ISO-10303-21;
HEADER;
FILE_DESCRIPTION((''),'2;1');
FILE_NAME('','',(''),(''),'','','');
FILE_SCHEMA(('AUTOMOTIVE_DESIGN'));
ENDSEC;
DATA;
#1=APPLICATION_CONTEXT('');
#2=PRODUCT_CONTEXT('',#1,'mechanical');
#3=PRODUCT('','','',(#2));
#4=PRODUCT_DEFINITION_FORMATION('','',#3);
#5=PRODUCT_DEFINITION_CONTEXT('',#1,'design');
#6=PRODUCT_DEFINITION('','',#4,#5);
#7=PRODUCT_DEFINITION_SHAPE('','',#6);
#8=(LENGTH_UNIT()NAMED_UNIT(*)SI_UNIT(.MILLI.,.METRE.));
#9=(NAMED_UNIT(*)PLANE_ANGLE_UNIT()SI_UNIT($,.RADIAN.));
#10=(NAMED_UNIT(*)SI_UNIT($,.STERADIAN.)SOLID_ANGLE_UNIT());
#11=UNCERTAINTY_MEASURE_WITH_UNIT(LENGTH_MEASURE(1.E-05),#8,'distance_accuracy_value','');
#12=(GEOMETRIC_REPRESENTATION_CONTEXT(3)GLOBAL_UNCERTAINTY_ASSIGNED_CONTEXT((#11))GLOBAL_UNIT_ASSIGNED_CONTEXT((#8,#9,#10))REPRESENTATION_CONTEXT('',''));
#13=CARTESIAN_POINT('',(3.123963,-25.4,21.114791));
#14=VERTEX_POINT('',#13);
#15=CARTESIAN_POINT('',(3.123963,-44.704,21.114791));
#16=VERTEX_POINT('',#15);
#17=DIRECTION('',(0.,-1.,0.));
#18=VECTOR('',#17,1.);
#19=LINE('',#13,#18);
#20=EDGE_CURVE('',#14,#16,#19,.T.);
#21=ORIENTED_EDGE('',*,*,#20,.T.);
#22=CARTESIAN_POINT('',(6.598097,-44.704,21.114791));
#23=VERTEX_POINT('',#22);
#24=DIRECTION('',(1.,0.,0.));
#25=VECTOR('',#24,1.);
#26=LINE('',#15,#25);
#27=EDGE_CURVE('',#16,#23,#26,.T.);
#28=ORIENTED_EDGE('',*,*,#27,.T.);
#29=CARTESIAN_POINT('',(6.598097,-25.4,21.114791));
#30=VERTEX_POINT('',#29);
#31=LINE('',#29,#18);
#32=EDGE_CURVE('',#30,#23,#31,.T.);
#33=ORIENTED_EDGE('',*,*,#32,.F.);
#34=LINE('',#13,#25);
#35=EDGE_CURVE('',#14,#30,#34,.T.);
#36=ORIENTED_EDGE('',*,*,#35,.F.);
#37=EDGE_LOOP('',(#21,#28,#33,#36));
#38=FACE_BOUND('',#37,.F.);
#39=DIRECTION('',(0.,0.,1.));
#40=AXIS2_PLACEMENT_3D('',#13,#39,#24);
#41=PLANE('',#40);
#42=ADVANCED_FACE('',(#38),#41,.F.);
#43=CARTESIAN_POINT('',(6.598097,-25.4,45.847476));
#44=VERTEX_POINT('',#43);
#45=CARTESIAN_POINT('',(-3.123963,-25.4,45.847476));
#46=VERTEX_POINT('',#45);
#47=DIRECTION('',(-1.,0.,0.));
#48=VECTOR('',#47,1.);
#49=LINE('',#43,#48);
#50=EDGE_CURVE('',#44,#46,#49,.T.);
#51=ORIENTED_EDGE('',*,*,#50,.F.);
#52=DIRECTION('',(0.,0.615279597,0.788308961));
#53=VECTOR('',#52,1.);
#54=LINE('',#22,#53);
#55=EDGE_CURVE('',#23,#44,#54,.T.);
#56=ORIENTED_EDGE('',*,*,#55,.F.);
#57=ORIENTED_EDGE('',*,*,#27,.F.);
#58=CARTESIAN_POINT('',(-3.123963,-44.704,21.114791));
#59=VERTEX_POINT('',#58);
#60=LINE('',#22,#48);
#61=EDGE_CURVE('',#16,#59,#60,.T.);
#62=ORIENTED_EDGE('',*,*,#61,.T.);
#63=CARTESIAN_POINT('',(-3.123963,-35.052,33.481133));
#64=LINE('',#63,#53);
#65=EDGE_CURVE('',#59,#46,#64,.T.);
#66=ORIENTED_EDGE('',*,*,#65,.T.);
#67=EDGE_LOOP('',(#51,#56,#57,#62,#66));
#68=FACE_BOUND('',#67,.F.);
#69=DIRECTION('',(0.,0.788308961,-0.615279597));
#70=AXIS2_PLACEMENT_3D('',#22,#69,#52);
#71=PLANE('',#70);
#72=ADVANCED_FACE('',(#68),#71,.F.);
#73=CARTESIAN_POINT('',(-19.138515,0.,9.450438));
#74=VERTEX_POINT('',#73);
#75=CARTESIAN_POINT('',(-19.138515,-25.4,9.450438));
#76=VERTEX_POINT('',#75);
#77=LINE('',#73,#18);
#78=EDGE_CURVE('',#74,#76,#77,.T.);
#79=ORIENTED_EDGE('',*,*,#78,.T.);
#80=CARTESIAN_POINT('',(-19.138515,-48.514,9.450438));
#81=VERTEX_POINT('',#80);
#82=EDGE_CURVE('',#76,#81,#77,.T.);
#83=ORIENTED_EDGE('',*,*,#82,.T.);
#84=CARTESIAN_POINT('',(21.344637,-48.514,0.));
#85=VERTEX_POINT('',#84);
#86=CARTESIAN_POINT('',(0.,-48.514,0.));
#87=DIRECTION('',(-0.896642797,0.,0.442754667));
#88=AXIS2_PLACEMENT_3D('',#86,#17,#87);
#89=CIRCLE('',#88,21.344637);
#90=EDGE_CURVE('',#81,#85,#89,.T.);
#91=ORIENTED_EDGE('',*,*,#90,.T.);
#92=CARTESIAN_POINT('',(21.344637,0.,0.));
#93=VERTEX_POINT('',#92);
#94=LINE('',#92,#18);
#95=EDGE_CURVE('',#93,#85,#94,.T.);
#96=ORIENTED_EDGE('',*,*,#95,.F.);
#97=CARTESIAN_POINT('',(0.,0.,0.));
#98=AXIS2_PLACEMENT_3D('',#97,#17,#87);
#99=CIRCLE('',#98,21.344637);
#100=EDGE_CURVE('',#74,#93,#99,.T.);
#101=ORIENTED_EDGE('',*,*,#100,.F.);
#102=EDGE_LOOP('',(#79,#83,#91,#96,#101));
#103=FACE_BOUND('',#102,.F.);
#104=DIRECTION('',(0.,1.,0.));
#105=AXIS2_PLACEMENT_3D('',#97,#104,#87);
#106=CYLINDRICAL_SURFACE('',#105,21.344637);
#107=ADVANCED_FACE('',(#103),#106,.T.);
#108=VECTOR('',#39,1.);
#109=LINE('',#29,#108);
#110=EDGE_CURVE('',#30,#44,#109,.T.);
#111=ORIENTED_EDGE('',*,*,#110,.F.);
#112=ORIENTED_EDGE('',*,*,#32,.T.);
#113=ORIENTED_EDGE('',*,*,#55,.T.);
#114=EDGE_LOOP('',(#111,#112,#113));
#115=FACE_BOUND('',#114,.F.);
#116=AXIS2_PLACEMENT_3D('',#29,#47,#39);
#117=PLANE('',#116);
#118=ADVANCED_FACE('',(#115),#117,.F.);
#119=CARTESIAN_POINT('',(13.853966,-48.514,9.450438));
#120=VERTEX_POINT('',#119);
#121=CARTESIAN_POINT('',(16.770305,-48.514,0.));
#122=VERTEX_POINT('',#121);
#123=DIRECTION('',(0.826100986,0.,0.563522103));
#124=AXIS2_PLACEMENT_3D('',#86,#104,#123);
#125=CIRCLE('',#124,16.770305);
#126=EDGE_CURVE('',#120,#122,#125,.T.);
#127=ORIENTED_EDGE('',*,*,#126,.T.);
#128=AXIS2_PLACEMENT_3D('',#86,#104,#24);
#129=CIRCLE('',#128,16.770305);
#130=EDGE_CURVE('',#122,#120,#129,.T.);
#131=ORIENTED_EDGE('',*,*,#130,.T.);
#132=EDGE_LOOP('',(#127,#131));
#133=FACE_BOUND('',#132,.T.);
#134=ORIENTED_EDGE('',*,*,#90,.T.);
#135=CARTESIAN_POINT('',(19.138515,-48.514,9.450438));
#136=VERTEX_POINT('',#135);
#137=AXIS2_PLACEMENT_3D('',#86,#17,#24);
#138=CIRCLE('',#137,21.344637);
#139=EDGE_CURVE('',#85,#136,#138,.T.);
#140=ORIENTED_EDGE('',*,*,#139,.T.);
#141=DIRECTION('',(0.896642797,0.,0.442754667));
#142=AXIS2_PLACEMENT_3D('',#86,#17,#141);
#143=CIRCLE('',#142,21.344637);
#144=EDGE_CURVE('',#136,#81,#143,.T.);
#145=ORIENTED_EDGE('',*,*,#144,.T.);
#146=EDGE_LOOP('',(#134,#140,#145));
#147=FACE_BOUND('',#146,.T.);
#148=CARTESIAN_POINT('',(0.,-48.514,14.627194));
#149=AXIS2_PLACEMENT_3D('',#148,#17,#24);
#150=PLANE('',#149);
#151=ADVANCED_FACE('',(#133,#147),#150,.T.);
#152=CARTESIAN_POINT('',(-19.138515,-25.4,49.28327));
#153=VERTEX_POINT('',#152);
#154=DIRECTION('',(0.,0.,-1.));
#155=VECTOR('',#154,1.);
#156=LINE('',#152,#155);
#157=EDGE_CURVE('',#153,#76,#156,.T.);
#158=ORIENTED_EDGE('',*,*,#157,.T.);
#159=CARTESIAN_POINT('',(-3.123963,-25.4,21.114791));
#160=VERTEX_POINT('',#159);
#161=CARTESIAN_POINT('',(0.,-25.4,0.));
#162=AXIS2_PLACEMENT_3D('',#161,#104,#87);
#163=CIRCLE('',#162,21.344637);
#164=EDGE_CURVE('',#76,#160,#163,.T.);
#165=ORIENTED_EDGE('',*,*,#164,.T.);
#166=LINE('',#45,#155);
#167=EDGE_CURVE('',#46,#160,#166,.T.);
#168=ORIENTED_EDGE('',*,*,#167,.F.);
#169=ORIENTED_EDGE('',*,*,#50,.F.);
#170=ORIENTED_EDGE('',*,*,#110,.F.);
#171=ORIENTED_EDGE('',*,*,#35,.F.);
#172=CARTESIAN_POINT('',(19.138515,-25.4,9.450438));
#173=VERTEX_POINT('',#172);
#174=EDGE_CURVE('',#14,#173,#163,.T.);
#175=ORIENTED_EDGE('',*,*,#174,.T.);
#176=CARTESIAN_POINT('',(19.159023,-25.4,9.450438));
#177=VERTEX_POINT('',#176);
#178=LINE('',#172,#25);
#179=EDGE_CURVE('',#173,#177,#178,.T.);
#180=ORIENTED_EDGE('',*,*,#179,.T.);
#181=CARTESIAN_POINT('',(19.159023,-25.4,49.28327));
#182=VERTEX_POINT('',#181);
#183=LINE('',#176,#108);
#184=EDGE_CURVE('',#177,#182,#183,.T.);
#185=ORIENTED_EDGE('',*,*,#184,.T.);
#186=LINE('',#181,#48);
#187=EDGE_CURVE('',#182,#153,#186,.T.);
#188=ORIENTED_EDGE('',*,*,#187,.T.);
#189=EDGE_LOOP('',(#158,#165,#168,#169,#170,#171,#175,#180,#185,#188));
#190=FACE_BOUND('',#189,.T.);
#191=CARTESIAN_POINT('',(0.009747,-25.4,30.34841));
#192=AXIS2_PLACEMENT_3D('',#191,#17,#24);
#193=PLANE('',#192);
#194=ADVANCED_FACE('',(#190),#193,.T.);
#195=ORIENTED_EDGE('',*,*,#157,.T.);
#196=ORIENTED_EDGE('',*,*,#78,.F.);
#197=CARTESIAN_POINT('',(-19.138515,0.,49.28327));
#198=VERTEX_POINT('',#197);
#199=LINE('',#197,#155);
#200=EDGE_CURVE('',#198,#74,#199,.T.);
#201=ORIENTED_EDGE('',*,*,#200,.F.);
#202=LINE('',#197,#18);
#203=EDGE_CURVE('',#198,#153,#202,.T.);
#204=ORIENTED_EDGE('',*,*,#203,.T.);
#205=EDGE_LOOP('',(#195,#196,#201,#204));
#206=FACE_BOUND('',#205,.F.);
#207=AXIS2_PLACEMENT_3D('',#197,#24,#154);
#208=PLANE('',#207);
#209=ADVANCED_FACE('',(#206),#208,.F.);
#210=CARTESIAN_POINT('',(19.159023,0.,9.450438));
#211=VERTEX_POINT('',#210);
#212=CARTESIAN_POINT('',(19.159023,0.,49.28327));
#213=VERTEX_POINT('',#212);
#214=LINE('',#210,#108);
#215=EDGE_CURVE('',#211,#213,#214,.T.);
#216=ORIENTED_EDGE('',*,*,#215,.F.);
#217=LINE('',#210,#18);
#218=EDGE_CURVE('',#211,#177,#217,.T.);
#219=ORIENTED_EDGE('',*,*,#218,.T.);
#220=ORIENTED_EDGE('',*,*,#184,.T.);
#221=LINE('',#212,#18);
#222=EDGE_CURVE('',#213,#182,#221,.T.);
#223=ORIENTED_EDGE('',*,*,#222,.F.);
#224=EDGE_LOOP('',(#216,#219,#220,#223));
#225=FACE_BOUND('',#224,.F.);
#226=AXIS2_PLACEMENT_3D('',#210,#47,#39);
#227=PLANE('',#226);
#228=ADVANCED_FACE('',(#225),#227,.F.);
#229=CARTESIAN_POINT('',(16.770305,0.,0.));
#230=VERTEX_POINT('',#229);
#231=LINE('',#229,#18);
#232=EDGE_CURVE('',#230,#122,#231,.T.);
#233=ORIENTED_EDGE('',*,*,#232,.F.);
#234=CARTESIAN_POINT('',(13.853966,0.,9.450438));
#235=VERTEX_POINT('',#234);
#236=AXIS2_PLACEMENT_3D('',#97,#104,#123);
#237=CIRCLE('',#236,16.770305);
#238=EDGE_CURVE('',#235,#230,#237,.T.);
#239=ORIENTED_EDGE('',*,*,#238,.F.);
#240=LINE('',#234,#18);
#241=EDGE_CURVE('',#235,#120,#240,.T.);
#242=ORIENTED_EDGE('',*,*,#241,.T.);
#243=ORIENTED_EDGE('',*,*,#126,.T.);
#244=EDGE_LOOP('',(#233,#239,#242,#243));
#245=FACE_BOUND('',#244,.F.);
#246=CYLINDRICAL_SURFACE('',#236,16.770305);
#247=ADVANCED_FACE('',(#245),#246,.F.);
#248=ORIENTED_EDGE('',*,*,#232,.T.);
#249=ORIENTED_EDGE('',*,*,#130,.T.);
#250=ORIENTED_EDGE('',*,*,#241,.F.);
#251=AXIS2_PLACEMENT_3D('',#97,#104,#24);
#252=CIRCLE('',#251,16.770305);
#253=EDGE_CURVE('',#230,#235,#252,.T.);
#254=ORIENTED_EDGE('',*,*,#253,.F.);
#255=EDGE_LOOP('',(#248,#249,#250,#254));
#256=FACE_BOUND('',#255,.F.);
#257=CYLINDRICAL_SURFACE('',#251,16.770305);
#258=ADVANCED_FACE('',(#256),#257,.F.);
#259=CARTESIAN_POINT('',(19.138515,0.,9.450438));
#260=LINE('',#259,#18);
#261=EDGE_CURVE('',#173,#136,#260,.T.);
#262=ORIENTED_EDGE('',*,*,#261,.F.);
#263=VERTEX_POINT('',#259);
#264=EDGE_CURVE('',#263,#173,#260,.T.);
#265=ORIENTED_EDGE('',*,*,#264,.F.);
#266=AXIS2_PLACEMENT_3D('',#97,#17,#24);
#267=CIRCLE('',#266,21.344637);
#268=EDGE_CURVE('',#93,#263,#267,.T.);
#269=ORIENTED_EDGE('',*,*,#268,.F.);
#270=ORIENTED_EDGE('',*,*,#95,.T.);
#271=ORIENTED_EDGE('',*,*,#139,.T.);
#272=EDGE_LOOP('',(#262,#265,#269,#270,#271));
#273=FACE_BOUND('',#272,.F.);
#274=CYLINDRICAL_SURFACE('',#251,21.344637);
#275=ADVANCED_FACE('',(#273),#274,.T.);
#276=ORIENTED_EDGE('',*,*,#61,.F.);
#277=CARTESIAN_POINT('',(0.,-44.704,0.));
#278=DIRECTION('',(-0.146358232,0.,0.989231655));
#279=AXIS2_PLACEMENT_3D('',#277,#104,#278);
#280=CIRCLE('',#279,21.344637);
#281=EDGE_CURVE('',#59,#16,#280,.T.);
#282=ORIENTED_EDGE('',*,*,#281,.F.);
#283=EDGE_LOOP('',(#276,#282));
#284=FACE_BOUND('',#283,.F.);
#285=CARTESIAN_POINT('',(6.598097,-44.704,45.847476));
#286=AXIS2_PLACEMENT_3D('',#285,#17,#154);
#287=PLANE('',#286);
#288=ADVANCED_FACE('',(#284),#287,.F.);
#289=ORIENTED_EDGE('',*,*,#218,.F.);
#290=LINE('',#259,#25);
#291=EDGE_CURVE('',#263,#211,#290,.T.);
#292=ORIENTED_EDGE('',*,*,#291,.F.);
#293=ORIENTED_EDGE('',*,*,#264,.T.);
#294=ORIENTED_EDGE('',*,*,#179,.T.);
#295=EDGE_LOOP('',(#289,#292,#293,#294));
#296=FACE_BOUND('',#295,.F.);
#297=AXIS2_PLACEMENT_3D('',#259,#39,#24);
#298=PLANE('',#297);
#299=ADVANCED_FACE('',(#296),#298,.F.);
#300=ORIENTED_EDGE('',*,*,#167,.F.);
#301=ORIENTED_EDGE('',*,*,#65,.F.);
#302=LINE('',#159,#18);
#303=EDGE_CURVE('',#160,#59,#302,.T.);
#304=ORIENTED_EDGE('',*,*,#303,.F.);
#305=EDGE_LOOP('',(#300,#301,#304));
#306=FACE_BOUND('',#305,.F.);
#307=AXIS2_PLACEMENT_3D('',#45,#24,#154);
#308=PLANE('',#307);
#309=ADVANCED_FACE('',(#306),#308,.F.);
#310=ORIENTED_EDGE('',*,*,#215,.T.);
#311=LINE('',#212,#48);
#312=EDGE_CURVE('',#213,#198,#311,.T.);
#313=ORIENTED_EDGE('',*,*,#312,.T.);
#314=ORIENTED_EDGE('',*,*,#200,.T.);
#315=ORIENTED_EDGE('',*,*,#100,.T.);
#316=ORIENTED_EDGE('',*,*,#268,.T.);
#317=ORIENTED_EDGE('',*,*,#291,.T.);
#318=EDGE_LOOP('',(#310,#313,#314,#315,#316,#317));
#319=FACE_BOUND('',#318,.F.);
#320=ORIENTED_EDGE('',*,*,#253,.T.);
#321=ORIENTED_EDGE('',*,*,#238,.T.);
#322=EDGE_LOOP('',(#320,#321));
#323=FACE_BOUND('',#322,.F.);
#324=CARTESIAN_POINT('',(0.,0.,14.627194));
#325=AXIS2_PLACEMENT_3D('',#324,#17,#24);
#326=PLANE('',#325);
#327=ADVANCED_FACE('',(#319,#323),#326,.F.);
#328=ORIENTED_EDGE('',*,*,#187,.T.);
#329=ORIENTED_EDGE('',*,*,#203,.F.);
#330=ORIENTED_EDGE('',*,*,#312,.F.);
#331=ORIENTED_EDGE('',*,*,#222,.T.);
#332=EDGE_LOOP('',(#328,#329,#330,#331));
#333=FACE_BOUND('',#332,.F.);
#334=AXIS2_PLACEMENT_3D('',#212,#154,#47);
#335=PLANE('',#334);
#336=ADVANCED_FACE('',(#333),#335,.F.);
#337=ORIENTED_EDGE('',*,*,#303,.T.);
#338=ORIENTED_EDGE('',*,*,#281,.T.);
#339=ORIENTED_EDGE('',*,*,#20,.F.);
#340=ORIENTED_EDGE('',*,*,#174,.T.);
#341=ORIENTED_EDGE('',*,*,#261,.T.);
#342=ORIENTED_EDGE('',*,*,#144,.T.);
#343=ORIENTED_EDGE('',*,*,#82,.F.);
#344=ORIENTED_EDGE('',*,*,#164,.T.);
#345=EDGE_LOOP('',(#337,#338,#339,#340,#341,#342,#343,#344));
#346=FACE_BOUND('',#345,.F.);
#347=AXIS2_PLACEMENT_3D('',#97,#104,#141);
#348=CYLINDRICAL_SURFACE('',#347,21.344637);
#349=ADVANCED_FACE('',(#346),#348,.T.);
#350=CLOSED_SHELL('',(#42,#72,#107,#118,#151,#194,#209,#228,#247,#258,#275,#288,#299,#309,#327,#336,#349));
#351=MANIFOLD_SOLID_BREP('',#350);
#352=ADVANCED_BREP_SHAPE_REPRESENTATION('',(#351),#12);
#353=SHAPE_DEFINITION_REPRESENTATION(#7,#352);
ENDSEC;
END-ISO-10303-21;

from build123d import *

# Parameters (mm, degrees)
F1_DEPTH = 25.4
F2_DEPTH = 48.514
F4_DEPTH = 19.304
F6_DEPTH = 25.4


with BuildPart() as f1:
    # F0 (on Front) → F1 (new body)
    with BuildSketch(Plane.XZ):
        with BuildLine():
            Line((-19.1385153821, 49.2832697928), (-19.1385153821, 9.4504378209))
            ThreePointArc((-19.1385153821, 9.4504378209), (0, 21.3446374071), (19.1385153821, 9.4504378209))
            Line((19.1385153821, 9.4504378209), (19.1590227187, 9.4504378209))
            Line((19.1590227187, 9.4504378209), (19.1590227187, 49.2832697928))
            Line((19.1590227187, 49.2832697928), (-19.1385153821, 49.2832697928))
        make_face()
    extrude(amount=F1_DEPTH)

    # F0 (on Front) → F2 (join)
    with BuildSketch(Plane.XZ):
        with BuildLine():
            ThreePointArc((19.1385153821, 9.4504378209), (0, 21.3446374071), (-19.1385153821, 9.4504378209))
            Line((-19.1385153821, 9.4504378209), (-13.8539659138, 9.4504378209))
            ThreePointArc((-13.8539659138, 9.4504378209), (0, 16.7703054995), (13.8539659138, 9.4504378209))
            Line((13.8539659138, 9.4504378209), (19.1385153821, 9.4504378209))
        make_face()
        with BuildLine():
            Line((-13.8539659138, 9.4504378209), (-19.1385153821, 9.4504378209))
            ThreePointArc((-19.1385153821, 9.4504378209), (-4.8522610553, -20.7857910287), (21.3446374071, 0))
            ThreePointArc((21.3446374071, 0), (20.7857910287, 4.8522610553), (19.1385153821, 9.4504378209))
            Line((19.1385153821, 9.4504378209), (13.8539659138, 9.4504378209))
            ThreePointArc((13.8539659138, 9.4504378209), (16.0246433237, 4.9450938208), (16.7703054995, 0))
            ThreePointArc((16.7703054995, 0), (-4.9450938208, -16.0246433237), (-13.8539659138, 9.4504378209))
        make_face()
    extrude(amount=F2_DEPTH)

    # F3 (on face) → F4 (join)
    with BuildSketch(Plane.XZ.offset(25.4)):
        with BuildLine():
            Line((-3.1239633907, 45.8474755287), (-3.1239633907, 21.1147909952))
            ThreePointArc((-3.1239633907, 21.1147909952), (0, 21.3446374071), (3.1239633907, 21.1147909952))
            Line((3.1239633907, 21.1147909952), (6.5980968066, 21.1147909952))
            Line((6.5980968066, 21.1147909952), (6.5980968066, 45.8474755287))
            Line((6.5980968066, 45.8474755287), (-3.1239633907, 45.8474755287))
        make_face()
    extrude(amount=F4_DEPTH)

    # F5 (on face) → F6 (cut)
    with BuildSketch(Plane.YZ.offset(6.5980968066)):
        Polygon((-44.704, 45.8474755287), (-44.704, 21.1147909952), (-25.4, 45.8474755287), align=None)
    extrude(amount=-F6_DEPTH, mode=Mode.SUBTRACT)


solid = f1.part
